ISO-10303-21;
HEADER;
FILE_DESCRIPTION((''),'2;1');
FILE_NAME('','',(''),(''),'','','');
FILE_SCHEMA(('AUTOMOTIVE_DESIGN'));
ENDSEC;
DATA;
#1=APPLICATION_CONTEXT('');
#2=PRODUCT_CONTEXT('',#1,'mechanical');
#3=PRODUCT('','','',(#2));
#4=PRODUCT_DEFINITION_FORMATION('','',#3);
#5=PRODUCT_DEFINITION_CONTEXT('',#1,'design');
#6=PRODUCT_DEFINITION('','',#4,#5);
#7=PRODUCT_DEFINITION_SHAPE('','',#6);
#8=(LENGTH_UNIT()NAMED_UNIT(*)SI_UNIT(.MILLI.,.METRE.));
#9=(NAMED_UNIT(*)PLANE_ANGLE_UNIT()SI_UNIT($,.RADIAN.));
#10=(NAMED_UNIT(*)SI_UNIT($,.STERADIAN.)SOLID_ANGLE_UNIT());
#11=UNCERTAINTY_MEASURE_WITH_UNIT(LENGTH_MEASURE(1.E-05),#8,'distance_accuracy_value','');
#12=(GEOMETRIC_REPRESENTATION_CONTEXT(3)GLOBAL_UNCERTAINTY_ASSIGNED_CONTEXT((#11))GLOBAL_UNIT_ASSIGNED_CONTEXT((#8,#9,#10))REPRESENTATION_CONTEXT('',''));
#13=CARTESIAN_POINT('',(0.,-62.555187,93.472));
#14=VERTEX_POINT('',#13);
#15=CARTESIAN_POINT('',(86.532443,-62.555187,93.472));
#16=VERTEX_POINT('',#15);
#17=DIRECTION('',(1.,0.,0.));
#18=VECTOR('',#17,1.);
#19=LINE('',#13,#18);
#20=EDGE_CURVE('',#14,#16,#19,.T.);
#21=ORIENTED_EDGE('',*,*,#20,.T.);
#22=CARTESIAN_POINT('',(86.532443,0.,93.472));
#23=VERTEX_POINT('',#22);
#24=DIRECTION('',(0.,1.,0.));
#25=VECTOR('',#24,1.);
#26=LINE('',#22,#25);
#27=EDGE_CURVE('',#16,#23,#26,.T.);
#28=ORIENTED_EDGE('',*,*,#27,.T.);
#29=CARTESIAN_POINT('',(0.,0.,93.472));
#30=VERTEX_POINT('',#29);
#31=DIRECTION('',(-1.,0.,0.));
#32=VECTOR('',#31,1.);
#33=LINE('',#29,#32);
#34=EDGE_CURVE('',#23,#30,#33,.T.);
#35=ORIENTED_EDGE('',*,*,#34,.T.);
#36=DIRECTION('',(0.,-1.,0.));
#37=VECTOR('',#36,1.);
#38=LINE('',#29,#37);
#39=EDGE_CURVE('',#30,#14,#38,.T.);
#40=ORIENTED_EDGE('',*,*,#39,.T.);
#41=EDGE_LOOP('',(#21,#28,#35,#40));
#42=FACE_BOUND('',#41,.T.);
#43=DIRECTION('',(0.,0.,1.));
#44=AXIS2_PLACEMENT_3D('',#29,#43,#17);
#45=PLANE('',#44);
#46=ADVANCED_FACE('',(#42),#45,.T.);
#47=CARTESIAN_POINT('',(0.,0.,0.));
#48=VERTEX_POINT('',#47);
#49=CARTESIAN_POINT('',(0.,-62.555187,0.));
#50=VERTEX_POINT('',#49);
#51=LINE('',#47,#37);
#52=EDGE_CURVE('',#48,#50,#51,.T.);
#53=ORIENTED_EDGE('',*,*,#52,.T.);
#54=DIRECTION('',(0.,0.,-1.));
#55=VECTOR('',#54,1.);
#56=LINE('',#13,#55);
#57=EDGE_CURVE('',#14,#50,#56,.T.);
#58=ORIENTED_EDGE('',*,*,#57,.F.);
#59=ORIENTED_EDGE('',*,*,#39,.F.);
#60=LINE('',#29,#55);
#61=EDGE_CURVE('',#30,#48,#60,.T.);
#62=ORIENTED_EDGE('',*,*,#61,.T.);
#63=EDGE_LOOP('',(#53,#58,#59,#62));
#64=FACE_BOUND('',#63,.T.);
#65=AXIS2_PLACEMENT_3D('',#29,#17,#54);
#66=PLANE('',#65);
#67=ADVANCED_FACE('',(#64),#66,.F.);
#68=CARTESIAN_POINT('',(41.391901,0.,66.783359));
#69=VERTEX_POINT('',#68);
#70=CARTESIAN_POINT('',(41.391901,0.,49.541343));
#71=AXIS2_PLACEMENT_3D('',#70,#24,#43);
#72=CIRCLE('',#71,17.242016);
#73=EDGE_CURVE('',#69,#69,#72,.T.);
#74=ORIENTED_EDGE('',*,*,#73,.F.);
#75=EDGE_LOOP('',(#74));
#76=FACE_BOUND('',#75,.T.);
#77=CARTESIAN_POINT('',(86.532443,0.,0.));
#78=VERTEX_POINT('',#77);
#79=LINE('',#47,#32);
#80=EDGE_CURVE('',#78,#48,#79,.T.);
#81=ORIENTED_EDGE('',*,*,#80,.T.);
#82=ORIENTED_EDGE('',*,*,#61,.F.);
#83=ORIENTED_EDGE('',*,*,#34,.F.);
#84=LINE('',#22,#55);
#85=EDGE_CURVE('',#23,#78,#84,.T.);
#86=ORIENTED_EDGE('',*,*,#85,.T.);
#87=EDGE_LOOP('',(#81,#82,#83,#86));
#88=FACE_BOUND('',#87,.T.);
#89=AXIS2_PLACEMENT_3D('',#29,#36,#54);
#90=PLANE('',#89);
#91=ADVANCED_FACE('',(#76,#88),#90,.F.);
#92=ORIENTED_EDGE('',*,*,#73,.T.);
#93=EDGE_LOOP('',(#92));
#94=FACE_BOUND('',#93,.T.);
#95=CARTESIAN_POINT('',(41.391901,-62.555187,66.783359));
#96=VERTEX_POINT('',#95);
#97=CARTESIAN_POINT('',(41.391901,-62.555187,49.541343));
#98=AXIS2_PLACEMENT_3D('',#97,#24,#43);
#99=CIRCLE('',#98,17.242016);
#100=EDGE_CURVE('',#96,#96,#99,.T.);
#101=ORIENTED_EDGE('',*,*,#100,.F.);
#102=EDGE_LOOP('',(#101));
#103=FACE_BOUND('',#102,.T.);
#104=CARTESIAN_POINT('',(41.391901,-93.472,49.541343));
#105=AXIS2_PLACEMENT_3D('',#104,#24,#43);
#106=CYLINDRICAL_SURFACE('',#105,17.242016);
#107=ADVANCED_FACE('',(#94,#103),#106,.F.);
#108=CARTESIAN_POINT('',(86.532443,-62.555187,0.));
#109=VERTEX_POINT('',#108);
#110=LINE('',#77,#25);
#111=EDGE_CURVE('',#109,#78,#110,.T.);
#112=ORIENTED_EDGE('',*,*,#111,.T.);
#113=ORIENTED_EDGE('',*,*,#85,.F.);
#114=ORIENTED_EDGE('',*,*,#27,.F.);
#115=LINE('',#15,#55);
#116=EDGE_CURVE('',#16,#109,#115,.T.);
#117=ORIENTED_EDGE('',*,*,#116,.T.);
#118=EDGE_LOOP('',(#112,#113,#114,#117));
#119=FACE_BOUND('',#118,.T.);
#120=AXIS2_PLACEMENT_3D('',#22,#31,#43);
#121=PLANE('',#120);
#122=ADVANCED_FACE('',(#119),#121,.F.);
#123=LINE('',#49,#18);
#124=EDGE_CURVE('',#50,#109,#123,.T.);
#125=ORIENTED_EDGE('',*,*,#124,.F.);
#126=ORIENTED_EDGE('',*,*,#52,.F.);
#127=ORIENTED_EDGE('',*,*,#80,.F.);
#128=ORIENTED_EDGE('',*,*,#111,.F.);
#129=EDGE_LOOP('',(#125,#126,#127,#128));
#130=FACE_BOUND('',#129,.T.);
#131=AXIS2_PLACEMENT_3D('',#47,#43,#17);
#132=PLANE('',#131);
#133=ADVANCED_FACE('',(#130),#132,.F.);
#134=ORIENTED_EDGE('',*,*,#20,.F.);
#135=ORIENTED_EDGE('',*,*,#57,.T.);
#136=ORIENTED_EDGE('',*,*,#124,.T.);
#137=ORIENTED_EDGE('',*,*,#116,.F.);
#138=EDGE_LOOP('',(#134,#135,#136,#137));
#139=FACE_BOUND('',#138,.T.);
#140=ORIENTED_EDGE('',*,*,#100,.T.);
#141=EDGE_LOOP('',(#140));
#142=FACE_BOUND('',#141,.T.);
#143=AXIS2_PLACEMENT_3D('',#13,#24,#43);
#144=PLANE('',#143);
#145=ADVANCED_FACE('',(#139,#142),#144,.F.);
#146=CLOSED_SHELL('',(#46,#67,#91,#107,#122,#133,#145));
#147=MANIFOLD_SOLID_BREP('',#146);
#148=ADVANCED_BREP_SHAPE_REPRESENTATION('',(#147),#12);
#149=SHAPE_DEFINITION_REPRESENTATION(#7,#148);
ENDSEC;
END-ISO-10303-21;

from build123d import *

# Parameters (mm, degrees)
SKETCH1_W           = 86.53244286
SKETCH1_H           = 62.555187021
BOSS_EXTRUDE1_DEPTH = 93.472
SKETCH2_R           = 17.242015653
CUT_EXTRUDE1_DEPTH  = 93.472


with BuildPart() as part:
    # Sketch1 → Boss-Extrude1 (new body)
    with BuildSketch(Plane.XY):
        with Locations((43.26622143, -31.277593511)):
            Rectangle(SKETCH1_W, SKETCH1_H)
    extrude(amount=BOSS_EXTRUDE1_DEPTH)

    # Sketch2 → Cut-Extrude1 (cut)
    with BuildSketch(Plane(origin=(0, 0, 0), x_dir=(1, 0, 0), z_dir=(0, 1, 0))):
        with Locations(Location((41.391901458, -49.541343138, 0), (0, 0, 270))):
            Circle(SKETCH2_R)
    extrude(amount=-CUT_EXTRUDE1_DEPTH, mode=Mode.SUBTRACT)


solid = part.part
